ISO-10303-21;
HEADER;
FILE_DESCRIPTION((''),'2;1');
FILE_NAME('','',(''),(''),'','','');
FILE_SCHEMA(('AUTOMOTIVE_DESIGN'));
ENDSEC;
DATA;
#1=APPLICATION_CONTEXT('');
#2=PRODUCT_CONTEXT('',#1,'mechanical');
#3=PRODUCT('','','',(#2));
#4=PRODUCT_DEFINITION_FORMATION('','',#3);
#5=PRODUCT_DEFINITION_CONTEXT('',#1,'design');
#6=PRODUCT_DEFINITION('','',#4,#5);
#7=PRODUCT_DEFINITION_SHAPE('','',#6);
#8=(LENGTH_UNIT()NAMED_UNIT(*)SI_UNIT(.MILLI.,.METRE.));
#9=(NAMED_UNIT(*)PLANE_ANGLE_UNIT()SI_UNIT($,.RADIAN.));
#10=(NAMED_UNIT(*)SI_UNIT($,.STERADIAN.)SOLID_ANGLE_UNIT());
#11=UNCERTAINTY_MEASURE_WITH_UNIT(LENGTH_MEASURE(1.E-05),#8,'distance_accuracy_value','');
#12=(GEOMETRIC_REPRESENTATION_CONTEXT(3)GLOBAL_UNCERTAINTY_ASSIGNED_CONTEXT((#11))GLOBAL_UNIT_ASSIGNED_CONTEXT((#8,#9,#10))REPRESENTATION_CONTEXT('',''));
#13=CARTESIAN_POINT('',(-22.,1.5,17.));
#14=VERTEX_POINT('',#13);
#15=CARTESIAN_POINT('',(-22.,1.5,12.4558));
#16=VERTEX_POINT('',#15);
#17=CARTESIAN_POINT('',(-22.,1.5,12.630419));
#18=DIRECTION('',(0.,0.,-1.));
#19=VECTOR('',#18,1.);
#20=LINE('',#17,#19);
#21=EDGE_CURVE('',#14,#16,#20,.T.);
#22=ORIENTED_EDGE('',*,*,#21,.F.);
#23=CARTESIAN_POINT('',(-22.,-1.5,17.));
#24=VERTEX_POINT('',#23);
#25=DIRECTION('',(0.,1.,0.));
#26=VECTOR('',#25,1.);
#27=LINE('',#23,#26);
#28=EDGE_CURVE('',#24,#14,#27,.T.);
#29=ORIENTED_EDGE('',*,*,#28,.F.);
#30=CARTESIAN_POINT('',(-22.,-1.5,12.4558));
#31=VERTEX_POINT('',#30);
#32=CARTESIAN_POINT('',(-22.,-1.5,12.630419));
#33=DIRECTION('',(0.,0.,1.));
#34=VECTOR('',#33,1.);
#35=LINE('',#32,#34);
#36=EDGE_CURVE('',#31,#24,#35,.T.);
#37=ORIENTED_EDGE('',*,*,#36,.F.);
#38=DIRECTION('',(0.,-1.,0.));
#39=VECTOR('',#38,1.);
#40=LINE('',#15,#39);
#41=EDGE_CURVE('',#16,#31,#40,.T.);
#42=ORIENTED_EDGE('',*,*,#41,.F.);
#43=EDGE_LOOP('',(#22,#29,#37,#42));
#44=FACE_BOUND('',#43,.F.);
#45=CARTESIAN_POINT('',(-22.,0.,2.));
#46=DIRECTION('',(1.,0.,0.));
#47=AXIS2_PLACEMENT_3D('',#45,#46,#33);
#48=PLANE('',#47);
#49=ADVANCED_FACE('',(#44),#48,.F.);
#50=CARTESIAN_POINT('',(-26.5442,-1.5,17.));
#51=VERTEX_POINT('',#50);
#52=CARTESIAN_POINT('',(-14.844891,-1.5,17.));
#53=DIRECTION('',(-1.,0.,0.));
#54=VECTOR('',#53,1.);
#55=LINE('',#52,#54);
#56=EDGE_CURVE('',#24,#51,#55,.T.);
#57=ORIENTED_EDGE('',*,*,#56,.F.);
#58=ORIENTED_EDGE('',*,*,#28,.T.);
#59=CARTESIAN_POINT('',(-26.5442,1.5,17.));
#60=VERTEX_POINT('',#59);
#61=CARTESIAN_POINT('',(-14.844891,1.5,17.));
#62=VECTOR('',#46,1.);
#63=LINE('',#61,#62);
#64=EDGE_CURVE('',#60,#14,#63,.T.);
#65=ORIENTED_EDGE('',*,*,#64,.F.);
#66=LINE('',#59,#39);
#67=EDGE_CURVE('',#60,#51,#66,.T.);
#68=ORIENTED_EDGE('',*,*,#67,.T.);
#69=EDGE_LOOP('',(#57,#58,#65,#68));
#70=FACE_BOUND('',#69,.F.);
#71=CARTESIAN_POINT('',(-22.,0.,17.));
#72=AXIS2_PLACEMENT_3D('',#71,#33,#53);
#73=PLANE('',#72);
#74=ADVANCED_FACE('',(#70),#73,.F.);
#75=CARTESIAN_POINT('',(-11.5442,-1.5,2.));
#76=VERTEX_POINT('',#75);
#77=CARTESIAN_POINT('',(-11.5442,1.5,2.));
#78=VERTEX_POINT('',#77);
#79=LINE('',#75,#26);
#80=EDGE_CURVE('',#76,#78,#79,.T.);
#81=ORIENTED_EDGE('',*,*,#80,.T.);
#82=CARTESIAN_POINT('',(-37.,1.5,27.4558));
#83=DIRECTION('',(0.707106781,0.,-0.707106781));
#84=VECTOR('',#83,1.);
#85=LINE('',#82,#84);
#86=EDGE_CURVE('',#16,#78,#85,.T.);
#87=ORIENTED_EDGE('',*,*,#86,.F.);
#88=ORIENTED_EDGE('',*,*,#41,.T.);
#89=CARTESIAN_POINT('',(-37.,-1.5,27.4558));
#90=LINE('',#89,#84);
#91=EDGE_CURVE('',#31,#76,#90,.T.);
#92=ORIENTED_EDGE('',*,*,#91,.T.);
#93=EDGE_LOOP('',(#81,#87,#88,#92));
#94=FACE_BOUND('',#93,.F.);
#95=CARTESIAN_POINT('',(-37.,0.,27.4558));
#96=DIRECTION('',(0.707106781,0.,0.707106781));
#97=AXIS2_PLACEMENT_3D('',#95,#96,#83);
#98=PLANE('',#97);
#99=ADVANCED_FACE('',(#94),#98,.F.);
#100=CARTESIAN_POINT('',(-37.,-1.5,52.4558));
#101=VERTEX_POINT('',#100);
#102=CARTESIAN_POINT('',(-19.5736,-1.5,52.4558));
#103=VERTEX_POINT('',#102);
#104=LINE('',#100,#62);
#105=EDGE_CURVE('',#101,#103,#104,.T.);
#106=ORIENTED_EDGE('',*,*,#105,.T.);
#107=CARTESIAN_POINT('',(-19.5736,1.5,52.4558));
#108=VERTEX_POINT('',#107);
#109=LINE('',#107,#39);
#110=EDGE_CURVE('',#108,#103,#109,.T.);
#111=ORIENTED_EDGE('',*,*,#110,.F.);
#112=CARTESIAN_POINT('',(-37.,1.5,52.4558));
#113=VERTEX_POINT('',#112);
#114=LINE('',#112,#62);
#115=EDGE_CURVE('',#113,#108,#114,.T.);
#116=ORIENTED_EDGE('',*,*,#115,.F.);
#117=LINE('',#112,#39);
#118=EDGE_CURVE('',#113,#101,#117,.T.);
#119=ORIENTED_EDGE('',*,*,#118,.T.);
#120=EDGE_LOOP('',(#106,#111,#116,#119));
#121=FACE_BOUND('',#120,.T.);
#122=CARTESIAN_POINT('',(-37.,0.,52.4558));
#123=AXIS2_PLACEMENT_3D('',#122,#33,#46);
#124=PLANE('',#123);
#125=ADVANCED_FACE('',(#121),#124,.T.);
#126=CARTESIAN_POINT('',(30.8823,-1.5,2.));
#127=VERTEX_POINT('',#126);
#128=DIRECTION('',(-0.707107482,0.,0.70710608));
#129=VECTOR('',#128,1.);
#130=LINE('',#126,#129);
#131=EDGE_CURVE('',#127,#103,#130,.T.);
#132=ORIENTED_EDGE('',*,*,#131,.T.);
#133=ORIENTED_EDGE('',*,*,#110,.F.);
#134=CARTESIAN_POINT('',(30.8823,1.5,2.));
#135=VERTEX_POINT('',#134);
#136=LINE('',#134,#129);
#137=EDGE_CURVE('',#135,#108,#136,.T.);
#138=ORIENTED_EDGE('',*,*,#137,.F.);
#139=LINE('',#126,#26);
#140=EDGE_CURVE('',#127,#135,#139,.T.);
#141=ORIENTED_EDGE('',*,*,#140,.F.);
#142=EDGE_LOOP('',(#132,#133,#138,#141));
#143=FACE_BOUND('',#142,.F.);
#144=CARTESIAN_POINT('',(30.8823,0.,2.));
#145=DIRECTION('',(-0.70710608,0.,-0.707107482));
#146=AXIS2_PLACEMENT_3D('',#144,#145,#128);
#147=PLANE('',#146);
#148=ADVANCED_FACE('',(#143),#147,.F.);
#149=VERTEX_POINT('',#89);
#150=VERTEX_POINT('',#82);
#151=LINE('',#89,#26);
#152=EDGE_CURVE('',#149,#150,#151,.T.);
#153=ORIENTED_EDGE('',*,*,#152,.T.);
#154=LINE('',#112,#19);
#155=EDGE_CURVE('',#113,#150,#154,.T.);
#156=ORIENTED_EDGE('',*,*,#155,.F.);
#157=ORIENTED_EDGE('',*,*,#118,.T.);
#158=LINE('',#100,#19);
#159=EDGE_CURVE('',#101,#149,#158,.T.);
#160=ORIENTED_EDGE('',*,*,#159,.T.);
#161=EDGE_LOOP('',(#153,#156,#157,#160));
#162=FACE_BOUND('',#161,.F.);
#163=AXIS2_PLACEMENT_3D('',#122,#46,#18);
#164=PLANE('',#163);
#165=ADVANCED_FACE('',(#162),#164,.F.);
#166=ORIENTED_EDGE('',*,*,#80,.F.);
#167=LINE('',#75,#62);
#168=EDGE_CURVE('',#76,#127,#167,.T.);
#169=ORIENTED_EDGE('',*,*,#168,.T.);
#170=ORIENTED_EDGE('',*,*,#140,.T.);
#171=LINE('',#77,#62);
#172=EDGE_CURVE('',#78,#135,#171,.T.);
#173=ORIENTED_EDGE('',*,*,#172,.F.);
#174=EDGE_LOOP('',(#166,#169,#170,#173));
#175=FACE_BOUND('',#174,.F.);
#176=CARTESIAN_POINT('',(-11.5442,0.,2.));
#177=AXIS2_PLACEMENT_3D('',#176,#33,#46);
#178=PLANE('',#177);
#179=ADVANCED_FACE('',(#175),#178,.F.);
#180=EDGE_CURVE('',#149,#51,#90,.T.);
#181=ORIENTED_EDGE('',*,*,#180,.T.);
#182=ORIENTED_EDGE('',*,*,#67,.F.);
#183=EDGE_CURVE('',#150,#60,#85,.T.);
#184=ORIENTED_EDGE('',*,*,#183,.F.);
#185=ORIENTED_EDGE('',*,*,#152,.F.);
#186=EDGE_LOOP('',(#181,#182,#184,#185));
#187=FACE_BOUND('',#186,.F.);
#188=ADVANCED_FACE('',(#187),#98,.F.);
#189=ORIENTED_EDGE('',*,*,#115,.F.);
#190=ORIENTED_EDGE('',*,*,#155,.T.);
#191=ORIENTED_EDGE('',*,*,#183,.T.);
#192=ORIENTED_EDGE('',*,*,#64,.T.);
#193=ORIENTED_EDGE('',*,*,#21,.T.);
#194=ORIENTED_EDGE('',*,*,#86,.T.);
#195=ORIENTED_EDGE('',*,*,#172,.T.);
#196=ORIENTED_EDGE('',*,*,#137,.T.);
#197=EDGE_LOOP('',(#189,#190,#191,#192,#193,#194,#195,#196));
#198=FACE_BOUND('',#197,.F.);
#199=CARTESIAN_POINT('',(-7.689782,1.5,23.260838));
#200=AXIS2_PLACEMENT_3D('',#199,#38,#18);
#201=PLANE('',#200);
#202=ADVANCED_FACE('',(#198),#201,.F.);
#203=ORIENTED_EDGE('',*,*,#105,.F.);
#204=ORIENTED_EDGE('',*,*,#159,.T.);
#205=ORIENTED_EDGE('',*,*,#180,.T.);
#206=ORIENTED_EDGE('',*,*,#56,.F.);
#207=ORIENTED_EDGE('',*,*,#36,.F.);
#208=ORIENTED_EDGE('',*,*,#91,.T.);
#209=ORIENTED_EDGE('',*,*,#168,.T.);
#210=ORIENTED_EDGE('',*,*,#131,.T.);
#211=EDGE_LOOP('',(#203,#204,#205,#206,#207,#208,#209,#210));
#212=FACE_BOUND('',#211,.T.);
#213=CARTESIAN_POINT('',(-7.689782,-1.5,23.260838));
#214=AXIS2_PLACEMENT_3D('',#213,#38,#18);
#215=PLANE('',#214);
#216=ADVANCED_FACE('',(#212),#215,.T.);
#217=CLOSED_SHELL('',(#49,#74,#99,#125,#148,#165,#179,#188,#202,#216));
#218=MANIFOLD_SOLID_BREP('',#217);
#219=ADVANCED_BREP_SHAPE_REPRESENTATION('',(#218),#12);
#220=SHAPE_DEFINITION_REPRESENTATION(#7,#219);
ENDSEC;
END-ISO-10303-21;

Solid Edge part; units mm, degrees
sketch "Sketch1" plane through (0, 0, 0) normal (0, -1, 0) x (1, 0, 0)
  line L0 (30.8823, 2) -> (-19.5736, 52.4558)
  line L1 (-37, 52.4558) -> (-19.5736, 52.4558)
  line L2 (-37, 52.4558) -> (-37, 27.4558)
  line L3 (-37, 27.4558) -> (-11.5442, 2)
  line L4 (-11.5442, 2) -> (30.8823, 2)
extrude "Protrusion1" add sketch "Sketch1" along normal mid plane 3
sketch "Sketch2" plane through (0, 0, 0) normal (0, -1, 0) x (1, 0, 0)
  line L0 (-22, 17) -> (-37, 17)
  line L1 (-37, 17) -> (-37, 2)
  line L2 (-37, 2) -> (-22, 2)
  line L3 (-22, 2) -> (-22, 17)
extrude "Cutout1" cut sketch "Sketch2" against normal up to next and the other way up to next
